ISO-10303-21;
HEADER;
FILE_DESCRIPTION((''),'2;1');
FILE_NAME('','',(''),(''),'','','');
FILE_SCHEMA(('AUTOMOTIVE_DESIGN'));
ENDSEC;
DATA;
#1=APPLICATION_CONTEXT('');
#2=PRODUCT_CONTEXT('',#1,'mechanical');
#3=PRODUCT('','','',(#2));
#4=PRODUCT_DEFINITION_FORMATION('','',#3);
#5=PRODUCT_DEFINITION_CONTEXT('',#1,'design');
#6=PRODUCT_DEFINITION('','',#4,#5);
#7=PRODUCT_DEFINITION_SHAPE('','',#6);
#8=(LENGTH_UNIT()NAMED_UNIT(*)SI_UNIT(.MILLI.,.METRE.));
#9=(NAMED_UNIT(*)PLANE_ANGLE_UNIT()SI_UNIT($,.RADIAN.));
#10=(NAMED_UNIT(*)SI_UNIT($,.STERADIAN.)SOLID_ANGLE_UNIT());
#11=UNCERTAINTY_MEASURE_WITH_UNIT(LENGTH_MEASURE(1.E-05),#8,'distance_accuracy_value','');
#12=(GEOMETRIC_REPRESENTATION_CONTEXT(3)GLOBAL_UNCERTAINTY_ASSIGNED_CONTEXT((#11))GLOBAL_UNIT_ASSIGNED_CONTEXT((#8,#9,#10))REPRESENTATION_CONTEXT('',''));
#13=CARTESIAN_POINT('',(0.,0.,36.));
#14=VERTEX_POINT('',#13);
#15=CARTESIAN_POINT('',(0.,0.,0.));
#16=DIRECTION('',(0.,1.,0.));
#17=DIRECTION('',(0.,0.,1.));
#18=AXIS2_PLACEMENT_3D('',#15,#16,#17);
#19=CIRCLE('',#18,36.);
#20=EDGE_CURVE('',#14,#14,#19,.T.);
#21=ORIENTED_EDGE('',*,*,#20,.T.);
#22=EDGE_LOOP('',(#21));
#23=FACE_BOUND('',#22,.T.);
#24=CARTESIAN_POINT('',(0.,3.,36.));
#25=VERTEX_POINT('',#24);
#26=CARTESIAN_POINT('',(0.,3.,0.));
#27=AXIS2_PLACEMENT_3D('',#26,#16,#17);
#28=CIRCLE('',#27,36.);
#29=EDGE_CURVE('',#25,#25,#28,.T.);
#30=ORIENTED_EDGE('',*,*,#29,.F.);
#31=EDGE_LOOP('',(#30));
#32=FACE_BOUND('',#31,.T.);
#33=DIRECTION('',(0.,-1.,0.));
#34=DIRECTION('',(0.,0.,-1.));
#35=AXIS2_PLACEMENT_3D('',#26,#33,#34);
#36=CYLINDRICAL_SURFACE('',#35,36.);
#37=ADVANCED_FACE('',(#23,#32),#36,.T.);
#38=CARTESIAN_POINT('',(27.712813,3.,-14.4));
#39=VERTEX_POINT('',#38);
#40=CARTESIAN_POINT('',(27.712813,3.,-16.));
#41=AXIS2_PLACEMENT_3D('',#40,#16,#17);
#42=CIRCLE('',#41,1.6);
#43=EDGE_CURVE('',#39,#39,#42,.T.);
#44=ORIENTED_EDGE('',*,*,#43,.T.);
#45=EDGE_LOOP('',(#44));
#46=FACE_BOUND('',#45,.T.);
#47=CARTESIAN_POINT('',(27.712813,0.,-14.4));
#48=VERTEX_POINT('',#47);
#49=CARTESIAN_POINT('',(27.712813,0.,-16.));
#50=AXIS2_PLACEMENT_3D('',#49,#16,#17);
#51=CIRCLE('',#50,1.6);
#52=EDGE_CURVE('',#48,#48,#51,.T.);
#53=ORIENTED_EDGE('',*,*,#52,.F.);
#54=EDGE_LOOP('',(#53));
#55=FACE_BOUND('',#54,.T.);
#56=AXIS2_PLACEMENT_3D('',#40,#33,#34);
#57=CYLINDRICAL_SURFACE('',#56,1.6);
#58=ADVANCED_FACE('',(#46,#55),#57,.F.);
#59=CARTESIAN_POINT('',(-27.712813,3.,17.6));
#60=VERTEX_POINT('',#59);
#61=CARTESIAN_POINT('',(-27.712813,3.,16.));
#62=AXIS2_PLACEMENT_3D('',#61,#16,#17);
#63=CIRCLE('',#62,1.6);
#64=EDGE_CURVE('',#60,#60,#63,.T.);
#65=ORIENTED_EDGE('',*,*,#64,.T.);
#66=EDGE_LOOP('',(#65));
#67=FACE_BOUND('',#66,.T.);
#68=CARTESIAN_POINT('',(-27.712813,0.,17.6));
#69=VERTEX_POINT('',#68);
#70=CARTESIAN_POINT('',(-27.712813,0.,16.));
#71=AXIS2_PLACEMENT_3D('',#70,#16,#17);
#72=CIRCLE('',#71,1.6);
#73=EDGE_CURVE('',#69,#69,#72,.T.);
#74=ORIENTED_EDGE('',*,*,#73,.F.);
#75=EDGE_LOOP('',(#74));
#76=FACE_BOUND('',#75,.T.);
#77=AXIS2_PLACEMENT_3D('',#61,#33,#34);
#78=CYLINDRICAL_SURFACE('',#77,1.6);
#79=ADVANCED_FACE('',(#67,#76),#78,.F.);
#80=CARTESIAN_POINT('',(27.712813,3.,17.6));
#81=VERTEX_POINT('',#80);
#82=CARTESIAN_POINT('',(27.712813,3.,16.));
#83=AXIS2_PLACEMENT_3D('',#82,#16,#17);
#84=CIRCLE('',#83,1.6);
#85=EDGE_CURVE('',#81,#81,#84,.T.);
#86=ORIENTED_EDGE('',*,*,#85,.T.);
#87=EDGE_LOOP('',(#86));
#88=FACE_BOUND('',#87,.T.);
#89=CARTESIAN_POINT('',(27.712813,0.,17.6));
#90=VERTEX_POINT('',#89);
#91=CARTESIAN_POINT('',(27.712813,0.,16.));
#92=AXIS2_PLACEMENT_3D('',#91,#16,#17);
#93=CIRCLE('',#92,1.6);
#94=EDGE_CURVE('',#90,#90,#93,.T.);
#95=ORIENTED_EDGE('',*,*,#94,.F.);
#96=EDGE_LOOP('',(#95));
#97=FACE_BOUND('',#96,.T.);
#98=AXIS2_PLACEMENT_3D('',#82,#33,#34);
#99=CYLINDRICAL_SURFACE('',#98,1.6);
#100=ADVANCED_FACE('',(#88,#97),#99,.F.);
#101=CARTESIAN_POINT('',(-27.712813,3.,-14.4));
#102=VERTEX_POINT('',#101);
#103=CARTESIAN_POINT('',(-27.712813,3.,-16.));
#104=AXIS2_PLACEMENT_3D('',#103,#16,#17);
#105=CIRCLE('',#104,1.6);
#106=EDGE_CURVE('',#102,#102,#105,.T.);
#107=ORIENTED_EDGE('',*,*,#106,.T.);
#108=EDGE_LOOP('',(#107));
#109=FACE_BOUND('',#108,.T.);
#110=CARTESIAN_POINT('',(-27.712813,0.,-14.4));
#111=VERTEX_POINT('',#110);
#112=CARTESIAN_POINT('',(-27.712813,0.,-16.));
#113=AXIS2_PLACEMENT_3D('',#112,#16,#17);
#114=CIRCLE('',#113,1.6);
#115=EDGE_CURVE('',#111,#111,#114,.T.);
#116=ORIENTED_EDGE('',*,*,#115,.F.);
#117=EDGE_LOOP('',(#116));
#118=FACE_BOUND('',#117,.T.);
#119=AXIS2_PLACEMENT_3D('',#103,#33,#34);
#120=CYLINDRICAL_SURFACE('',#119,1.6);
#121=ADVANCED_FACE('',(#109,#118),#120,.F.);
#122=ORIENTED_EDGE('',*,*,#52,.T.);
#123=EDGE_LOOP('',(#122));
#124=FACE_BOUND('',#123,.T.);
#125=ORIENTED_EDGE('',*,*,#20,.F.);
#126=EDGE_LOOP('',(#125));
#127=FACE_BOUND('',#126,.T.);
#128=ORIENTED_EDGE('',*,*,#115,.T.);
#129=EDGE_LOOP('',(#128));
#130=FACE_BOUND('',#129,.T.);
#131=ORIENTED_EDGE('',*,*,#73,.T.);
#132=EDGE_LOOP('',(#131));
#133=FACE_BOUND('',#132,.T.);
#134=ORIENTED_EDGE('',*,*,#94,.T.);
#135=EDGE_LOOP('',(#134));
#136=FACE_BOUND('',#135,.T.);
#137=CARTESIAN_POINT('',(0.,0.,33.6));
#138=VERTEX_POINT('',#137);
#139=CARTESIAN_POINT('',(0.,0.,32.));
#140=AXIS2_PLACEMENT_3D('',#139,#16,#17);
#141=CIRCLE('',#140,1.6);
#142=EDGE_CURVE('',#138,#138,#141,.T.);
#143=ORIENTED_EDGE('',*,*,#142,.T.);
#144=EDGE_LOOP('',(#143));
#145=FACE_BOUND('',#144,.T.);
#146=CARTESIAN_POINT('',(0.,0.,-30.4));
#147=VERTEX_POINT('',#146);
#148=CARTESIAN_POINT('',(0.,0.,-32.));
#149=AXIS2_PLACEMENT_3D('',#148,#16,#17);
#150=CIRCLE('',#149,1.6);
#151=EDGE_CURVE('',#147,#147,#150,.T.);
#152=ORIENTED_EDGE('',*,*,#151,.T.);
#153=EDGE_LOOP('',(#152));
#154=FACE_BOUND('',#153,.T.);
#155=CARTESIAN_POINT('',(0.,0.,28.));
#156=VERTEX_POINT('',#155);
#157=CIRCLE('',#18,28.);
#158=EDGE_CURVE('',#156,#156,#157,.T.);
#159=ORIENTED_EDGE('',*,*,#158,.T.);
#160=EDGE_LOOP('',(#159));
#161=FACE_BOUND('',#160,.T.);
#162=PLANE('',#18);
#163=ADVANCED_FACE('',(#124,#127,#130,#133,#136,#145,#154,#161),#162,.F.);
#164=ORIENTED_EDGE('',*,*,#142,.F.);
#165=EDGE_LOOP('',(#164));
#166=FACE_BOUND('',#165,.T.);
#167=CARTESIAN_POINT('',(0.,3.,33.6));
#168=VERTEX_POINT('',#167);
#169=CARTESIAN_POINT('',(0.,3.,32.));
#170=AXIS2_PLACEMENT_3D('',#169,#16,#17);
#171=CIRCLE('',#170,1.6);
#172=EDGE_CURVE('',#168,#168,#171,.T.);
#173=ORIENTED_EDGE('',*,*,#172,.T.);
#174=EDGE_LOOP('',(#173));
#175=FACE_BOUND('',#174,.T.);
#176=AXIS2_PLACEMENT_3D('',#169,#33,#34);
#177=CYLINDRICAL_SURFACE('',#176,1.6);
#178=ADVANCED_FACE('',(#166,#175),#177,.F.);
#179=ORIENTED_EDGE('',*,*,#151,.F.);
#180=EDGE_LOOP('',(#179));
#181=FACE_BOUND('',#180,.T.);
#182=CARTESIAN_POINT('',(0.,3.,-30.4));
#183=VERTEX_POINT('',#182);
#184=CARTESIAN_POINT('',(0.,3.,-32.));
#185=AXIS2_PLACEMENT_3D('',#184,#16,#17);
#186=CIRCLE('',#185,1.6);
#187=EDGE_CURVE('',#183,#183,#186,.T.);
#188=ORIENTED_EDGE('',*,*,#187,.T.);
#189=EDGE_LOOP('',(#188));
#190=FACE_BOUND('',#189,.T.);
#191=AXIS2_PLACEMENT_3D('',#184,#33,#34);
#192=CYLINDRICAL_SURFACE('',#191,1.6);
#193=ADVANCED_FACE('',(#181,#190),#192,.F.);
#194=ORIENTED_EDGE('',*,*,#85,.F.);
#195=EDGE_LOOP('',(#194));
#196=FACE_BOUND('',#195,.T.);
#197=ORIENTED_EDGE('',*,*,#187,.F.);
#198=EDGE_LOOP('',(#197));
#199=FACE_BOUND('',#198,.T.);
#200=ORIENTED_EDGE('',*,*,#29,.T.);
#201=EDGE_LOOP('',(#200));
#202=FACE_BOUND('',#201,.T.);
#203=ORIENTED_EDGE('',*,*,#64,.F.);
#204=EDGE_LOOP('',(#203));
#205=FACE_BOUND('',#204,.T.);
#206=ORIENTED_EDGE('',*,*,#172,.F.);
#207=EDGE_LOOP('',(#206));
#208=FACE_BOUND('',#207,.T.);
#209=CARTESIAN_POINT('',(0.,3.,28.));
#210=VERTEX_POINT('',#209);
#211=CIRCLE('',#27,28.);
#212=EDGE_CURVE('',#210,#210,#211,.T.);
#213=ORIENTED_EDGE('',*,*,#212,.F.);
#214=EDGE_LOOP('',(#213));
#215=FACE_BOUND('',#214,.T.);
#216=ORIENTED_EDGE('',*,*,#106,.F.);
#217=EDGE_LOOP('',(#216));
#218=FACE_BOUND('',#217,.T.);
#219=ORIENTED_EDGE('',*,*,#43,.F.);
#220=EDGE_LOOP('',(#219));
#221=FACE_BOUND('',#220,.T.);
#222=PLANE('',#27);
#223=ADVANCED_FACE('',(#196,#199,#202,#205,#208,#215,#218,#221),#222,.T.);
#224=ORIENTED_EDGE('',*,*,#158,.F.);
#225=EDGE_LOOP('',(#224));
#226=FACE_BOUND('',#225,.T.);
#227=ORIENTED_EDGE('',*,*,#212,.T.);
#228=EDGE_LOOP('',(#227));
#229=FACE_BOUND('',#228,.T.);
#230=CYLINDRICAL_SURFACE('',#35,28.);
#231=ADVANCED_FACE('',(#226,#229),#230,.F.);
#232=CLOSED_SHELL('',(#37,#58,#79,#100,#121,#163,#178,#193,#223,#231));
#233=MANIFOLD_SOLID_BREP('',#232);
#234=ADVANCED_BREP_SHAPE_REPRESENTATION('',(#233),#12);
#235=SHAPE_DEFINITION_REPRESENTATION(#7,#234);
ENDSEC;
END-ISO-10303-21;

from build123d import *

# Parameters (mm, degrees)
SKETCH_1_R      = 36
SKETCH_1_R_2    = 1.6
SKETCH_1_R_3    = 28
EXTRUDE_1_DEPTH = 3


with BuildPart() as part:
    # Эскиз1 → Бобышка-Вытянуть1 (new body)
    with BuildSketch(Plane(origin=(0, 0, 0), x_dir=(1, 0, 0), z_dir=(0, 1, 0))):
        Circle(SKETCH_1_R)
        with Locations((0, -32)):
            Circle(SKETCH_1_R_2, mode=Mode.SUBTRACT)
        with Locations((-27.712812921, -16)):
            Circle(SKETCH_1_R_2, mode=Mode.SUBTRACT)
        with Locations((-27.712812921, 16)):
            Circle(SKETCH_1_R_2, mode=Mode.SUBTRACT)
        with Locations((0, 32)):
            Circle(SKETCH_1_R_2, mode=Mode.SUBTRACT)
        with Locations((27.712812921, 16)):
            Circle(SKETCH_1_R_2, mode=Mode.SUBTRACT)
        with Locations((27.712812921, -16)):
            Circle(SKETCH_1_R_2, mode=Mode.SUBTRACT)
        Circle(SKETCH_1_R_3, mode=Mode.SUBTRACT)
    extrude(amount=EXTRUDE_1_DEPTH)


solid = part.part
